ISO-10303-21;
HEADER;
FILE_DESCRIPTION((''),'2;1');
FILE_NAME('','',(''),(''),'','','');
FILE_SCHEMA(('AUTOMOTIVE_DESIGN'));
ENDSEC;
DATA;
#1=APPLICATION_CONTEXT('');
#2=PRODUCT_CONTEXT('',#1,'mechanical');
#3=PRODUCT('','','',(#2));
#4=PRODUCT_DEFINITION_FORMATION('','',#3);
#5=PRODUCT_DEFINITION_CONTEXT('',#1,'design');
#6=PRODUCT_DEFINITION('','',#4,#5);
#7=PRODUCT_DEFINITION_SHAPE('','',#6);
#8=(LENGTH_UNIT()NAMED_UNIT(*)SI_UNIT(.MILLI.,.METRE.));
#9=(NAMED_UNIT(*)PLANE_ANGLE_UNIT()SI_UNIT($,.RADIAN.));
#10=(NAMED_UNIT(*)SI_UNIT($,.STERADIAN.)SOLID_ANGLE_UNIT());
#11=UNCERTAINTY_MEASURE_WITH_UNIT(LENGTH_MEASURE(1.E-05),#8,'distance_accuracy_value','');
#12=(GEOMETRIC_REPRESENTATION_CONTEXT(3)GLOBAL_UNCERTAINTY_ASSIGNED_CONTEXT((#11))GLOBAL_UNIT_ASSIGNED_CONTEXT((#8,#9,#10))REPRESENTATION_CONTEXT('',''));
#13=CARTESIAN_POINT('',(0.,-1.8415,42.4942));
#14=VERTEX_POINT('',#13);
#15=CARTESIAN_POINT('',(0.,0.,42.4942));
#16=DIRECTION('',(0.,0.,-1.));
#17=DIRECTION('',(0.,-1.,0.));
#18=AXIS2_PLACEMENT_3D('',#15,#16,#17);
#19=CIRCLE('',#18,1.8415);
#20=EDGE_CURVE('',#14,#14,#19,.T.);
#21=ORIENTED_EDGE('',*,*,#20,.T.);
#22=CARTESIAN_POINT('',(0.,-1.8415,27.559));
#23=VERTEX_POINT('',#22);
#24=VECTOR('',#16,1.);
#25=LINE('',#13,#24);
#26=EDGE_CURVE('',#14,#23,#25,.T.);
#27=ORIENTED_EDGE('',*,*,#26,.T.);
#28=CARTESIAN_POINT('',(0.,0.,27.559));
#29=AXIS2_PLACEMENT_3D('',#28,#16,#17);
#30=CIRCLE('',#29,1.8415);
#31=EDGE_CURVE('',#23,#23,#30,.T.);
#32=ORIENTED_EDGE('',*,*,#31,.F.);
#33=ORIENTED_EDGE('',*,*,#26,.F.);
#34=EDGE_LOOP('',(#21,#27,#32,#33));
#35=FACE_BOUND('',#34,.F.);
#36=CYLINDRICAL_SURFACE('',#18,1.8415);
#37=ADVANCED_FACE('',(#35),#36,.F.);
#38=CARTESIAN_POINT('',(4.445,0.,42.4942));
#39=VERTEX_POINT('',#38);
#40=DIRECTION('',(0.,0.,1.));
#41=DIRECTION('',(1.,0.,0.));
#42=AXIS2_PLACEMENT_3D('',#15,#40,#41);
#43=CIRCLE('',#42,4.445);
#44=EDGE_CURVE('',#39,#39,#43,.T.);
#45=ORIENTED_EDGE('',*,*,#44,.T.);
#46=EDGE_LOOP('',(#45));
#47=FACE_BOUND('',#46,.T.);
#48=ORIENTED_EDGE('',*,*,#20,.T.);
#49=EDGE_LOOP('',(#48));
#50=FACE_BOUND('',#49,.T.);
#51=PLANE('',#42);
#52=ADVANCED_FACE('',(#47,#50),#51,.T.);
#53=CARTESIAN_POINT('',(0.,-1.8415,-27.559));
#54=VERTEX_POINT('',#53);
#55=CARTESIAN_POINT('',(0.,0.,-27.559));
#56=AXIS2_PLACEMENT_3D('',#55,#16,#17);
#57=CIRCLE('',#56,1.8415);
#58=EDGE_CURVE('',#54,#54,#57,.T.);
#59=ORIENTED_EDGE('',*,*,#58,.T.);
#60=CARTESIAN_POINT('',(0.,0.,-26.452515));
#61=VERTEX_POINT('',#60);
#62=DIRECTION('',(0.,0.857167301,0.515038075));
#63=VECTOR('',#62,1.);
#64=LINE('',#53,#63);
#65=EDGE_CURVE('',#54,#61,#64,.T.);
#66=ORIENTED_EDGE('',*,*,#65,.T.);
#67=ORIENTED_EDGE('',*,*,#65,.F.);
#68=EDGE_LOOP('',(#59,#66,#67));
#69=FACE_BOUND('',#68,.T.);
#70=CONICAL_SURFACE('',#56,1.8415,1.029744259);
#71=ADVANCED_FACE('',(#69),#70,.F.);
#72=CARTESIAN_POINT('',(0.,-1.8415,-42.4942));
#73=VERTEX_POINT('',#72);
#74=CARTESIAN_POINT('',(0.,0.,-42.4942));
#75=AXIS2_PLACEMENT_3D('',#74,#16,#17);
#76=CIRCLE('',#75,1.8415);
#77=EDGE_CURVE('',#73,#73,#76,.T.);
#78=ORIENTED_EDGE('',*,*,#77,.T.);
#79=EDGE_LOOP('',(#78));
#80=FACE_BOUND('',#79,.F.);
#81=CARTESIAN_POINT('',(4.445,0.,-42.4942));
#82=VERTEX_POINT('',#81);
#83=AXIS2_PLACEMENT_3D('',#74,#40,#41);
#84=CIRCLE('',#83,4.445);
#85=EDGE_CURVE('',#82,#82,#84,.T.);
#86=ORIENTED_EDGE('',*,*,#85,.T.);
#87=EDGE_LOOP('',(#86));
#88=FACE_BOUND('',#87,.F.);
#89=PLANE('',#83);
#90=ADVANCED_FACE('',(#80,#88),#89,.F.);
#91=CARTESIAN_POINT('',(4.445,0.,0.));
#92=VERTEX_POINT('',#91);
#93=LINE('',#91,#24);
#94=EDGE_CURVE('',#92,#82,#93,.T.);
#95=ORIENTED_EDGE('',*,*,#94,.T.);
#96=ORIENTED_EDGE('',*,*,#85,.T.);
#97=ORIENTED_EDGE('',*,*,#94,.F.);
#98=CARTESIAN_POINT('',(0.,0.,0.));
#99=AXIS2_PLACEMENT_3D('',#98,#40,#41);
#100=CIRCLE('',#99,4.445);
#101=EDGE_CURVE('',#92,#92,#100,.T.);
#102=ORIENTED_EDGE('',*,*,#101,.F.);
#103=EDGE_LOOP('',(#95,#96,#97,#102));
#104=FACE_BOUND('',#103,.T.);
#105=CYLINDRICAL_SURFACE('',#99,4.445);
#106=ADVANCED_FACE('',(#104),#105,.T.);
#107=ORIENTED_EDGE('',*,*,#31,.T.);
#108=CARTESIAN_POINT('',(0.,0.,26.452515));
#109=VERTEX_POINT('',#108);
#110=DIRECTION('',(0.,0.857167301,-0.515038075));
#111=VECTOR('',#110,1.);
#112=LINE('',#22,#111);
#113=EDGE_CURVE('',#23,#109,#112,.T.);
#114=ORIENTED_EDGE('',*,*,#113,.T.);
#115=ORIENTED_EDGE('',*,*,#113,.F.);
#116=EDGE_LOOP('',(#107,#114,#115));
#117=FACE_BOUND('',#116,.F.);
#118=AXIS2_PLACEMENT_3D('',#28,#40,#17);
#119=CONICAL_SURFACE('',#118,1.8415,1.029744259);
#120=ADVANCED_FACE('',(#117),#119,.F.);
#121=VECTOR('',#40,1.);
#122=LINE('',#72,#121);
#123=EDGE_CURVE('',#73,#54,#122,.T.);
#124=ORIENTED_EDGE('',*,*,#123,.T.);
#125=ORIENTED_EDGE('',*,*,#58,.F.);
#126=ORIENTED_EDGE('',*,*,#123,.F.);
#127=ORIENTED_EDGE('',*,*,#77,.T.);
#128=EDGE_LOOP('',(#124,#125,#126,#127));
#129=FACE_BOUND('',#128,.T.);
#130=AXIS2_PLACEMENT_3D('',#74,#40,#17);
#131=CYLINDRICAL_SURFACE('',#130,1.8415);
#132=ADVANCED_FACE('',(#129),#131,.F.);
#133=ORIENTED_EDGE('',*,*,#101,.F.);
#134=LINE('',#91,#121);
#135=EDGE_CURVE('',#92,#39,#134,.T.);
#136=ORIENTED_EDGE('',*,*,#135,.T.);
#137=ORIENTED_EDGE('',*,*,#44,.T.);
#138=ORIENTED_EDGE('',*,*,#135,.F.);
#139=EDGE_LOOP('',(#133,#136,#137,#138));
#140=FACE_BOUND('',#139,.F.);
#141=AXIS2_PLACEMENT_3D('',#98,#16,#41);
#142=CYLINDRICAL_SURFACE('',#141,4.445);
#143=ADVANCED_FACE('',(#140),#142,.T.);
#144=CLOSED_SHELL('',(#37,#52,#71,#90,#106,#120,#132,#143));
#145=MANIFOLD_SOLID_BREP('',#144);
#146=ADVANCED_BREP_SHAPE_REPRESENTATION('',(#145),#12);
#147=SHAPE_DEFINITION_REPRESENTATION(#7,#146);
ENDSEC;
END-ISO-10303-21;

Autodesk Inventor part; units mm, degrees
ref_plane "YZ Plane" through (0, 0, 0) normal (1, 0, 0) x (0, 1, 0)
ref_plane "XZ Plane" through (0, 0, 0) normal (0, 1, 0) x (-1, 0, 0)
sketch "Sketch1" plane through (0, 0, 0) normal (0, 0, 1) x (1, 0, 0)
  circle A0 centre (0, 0) radius 4.445
  dimension "d1" = 8.89
extrude "Extrusion1" add sketch "Sketch1" along normal mid plane 84.9884
ref_plane "Work Plane1" through (0, 0, 0) normal (0, 0, 1) x (1, 0, 0)
sketch "Sketch2" plane through (0, 0, 42.4942) normal (0, 0, 1) x (1, 0, 0)
  point P0 (0, 0)
hole "Hole1" at (0, 0, 42.4942) direction (0, 0, -1) diameter 3.683 depth 14.9352 tip angle 118 thread size "10-24 UNC" class "2B" standard "ANSI Unified Screw Threads"
mirror "Mirror1" about plane through (0, 0, 0) normal (0, 0, 1) of "Hole1"
properties part number "drive train standoff"
